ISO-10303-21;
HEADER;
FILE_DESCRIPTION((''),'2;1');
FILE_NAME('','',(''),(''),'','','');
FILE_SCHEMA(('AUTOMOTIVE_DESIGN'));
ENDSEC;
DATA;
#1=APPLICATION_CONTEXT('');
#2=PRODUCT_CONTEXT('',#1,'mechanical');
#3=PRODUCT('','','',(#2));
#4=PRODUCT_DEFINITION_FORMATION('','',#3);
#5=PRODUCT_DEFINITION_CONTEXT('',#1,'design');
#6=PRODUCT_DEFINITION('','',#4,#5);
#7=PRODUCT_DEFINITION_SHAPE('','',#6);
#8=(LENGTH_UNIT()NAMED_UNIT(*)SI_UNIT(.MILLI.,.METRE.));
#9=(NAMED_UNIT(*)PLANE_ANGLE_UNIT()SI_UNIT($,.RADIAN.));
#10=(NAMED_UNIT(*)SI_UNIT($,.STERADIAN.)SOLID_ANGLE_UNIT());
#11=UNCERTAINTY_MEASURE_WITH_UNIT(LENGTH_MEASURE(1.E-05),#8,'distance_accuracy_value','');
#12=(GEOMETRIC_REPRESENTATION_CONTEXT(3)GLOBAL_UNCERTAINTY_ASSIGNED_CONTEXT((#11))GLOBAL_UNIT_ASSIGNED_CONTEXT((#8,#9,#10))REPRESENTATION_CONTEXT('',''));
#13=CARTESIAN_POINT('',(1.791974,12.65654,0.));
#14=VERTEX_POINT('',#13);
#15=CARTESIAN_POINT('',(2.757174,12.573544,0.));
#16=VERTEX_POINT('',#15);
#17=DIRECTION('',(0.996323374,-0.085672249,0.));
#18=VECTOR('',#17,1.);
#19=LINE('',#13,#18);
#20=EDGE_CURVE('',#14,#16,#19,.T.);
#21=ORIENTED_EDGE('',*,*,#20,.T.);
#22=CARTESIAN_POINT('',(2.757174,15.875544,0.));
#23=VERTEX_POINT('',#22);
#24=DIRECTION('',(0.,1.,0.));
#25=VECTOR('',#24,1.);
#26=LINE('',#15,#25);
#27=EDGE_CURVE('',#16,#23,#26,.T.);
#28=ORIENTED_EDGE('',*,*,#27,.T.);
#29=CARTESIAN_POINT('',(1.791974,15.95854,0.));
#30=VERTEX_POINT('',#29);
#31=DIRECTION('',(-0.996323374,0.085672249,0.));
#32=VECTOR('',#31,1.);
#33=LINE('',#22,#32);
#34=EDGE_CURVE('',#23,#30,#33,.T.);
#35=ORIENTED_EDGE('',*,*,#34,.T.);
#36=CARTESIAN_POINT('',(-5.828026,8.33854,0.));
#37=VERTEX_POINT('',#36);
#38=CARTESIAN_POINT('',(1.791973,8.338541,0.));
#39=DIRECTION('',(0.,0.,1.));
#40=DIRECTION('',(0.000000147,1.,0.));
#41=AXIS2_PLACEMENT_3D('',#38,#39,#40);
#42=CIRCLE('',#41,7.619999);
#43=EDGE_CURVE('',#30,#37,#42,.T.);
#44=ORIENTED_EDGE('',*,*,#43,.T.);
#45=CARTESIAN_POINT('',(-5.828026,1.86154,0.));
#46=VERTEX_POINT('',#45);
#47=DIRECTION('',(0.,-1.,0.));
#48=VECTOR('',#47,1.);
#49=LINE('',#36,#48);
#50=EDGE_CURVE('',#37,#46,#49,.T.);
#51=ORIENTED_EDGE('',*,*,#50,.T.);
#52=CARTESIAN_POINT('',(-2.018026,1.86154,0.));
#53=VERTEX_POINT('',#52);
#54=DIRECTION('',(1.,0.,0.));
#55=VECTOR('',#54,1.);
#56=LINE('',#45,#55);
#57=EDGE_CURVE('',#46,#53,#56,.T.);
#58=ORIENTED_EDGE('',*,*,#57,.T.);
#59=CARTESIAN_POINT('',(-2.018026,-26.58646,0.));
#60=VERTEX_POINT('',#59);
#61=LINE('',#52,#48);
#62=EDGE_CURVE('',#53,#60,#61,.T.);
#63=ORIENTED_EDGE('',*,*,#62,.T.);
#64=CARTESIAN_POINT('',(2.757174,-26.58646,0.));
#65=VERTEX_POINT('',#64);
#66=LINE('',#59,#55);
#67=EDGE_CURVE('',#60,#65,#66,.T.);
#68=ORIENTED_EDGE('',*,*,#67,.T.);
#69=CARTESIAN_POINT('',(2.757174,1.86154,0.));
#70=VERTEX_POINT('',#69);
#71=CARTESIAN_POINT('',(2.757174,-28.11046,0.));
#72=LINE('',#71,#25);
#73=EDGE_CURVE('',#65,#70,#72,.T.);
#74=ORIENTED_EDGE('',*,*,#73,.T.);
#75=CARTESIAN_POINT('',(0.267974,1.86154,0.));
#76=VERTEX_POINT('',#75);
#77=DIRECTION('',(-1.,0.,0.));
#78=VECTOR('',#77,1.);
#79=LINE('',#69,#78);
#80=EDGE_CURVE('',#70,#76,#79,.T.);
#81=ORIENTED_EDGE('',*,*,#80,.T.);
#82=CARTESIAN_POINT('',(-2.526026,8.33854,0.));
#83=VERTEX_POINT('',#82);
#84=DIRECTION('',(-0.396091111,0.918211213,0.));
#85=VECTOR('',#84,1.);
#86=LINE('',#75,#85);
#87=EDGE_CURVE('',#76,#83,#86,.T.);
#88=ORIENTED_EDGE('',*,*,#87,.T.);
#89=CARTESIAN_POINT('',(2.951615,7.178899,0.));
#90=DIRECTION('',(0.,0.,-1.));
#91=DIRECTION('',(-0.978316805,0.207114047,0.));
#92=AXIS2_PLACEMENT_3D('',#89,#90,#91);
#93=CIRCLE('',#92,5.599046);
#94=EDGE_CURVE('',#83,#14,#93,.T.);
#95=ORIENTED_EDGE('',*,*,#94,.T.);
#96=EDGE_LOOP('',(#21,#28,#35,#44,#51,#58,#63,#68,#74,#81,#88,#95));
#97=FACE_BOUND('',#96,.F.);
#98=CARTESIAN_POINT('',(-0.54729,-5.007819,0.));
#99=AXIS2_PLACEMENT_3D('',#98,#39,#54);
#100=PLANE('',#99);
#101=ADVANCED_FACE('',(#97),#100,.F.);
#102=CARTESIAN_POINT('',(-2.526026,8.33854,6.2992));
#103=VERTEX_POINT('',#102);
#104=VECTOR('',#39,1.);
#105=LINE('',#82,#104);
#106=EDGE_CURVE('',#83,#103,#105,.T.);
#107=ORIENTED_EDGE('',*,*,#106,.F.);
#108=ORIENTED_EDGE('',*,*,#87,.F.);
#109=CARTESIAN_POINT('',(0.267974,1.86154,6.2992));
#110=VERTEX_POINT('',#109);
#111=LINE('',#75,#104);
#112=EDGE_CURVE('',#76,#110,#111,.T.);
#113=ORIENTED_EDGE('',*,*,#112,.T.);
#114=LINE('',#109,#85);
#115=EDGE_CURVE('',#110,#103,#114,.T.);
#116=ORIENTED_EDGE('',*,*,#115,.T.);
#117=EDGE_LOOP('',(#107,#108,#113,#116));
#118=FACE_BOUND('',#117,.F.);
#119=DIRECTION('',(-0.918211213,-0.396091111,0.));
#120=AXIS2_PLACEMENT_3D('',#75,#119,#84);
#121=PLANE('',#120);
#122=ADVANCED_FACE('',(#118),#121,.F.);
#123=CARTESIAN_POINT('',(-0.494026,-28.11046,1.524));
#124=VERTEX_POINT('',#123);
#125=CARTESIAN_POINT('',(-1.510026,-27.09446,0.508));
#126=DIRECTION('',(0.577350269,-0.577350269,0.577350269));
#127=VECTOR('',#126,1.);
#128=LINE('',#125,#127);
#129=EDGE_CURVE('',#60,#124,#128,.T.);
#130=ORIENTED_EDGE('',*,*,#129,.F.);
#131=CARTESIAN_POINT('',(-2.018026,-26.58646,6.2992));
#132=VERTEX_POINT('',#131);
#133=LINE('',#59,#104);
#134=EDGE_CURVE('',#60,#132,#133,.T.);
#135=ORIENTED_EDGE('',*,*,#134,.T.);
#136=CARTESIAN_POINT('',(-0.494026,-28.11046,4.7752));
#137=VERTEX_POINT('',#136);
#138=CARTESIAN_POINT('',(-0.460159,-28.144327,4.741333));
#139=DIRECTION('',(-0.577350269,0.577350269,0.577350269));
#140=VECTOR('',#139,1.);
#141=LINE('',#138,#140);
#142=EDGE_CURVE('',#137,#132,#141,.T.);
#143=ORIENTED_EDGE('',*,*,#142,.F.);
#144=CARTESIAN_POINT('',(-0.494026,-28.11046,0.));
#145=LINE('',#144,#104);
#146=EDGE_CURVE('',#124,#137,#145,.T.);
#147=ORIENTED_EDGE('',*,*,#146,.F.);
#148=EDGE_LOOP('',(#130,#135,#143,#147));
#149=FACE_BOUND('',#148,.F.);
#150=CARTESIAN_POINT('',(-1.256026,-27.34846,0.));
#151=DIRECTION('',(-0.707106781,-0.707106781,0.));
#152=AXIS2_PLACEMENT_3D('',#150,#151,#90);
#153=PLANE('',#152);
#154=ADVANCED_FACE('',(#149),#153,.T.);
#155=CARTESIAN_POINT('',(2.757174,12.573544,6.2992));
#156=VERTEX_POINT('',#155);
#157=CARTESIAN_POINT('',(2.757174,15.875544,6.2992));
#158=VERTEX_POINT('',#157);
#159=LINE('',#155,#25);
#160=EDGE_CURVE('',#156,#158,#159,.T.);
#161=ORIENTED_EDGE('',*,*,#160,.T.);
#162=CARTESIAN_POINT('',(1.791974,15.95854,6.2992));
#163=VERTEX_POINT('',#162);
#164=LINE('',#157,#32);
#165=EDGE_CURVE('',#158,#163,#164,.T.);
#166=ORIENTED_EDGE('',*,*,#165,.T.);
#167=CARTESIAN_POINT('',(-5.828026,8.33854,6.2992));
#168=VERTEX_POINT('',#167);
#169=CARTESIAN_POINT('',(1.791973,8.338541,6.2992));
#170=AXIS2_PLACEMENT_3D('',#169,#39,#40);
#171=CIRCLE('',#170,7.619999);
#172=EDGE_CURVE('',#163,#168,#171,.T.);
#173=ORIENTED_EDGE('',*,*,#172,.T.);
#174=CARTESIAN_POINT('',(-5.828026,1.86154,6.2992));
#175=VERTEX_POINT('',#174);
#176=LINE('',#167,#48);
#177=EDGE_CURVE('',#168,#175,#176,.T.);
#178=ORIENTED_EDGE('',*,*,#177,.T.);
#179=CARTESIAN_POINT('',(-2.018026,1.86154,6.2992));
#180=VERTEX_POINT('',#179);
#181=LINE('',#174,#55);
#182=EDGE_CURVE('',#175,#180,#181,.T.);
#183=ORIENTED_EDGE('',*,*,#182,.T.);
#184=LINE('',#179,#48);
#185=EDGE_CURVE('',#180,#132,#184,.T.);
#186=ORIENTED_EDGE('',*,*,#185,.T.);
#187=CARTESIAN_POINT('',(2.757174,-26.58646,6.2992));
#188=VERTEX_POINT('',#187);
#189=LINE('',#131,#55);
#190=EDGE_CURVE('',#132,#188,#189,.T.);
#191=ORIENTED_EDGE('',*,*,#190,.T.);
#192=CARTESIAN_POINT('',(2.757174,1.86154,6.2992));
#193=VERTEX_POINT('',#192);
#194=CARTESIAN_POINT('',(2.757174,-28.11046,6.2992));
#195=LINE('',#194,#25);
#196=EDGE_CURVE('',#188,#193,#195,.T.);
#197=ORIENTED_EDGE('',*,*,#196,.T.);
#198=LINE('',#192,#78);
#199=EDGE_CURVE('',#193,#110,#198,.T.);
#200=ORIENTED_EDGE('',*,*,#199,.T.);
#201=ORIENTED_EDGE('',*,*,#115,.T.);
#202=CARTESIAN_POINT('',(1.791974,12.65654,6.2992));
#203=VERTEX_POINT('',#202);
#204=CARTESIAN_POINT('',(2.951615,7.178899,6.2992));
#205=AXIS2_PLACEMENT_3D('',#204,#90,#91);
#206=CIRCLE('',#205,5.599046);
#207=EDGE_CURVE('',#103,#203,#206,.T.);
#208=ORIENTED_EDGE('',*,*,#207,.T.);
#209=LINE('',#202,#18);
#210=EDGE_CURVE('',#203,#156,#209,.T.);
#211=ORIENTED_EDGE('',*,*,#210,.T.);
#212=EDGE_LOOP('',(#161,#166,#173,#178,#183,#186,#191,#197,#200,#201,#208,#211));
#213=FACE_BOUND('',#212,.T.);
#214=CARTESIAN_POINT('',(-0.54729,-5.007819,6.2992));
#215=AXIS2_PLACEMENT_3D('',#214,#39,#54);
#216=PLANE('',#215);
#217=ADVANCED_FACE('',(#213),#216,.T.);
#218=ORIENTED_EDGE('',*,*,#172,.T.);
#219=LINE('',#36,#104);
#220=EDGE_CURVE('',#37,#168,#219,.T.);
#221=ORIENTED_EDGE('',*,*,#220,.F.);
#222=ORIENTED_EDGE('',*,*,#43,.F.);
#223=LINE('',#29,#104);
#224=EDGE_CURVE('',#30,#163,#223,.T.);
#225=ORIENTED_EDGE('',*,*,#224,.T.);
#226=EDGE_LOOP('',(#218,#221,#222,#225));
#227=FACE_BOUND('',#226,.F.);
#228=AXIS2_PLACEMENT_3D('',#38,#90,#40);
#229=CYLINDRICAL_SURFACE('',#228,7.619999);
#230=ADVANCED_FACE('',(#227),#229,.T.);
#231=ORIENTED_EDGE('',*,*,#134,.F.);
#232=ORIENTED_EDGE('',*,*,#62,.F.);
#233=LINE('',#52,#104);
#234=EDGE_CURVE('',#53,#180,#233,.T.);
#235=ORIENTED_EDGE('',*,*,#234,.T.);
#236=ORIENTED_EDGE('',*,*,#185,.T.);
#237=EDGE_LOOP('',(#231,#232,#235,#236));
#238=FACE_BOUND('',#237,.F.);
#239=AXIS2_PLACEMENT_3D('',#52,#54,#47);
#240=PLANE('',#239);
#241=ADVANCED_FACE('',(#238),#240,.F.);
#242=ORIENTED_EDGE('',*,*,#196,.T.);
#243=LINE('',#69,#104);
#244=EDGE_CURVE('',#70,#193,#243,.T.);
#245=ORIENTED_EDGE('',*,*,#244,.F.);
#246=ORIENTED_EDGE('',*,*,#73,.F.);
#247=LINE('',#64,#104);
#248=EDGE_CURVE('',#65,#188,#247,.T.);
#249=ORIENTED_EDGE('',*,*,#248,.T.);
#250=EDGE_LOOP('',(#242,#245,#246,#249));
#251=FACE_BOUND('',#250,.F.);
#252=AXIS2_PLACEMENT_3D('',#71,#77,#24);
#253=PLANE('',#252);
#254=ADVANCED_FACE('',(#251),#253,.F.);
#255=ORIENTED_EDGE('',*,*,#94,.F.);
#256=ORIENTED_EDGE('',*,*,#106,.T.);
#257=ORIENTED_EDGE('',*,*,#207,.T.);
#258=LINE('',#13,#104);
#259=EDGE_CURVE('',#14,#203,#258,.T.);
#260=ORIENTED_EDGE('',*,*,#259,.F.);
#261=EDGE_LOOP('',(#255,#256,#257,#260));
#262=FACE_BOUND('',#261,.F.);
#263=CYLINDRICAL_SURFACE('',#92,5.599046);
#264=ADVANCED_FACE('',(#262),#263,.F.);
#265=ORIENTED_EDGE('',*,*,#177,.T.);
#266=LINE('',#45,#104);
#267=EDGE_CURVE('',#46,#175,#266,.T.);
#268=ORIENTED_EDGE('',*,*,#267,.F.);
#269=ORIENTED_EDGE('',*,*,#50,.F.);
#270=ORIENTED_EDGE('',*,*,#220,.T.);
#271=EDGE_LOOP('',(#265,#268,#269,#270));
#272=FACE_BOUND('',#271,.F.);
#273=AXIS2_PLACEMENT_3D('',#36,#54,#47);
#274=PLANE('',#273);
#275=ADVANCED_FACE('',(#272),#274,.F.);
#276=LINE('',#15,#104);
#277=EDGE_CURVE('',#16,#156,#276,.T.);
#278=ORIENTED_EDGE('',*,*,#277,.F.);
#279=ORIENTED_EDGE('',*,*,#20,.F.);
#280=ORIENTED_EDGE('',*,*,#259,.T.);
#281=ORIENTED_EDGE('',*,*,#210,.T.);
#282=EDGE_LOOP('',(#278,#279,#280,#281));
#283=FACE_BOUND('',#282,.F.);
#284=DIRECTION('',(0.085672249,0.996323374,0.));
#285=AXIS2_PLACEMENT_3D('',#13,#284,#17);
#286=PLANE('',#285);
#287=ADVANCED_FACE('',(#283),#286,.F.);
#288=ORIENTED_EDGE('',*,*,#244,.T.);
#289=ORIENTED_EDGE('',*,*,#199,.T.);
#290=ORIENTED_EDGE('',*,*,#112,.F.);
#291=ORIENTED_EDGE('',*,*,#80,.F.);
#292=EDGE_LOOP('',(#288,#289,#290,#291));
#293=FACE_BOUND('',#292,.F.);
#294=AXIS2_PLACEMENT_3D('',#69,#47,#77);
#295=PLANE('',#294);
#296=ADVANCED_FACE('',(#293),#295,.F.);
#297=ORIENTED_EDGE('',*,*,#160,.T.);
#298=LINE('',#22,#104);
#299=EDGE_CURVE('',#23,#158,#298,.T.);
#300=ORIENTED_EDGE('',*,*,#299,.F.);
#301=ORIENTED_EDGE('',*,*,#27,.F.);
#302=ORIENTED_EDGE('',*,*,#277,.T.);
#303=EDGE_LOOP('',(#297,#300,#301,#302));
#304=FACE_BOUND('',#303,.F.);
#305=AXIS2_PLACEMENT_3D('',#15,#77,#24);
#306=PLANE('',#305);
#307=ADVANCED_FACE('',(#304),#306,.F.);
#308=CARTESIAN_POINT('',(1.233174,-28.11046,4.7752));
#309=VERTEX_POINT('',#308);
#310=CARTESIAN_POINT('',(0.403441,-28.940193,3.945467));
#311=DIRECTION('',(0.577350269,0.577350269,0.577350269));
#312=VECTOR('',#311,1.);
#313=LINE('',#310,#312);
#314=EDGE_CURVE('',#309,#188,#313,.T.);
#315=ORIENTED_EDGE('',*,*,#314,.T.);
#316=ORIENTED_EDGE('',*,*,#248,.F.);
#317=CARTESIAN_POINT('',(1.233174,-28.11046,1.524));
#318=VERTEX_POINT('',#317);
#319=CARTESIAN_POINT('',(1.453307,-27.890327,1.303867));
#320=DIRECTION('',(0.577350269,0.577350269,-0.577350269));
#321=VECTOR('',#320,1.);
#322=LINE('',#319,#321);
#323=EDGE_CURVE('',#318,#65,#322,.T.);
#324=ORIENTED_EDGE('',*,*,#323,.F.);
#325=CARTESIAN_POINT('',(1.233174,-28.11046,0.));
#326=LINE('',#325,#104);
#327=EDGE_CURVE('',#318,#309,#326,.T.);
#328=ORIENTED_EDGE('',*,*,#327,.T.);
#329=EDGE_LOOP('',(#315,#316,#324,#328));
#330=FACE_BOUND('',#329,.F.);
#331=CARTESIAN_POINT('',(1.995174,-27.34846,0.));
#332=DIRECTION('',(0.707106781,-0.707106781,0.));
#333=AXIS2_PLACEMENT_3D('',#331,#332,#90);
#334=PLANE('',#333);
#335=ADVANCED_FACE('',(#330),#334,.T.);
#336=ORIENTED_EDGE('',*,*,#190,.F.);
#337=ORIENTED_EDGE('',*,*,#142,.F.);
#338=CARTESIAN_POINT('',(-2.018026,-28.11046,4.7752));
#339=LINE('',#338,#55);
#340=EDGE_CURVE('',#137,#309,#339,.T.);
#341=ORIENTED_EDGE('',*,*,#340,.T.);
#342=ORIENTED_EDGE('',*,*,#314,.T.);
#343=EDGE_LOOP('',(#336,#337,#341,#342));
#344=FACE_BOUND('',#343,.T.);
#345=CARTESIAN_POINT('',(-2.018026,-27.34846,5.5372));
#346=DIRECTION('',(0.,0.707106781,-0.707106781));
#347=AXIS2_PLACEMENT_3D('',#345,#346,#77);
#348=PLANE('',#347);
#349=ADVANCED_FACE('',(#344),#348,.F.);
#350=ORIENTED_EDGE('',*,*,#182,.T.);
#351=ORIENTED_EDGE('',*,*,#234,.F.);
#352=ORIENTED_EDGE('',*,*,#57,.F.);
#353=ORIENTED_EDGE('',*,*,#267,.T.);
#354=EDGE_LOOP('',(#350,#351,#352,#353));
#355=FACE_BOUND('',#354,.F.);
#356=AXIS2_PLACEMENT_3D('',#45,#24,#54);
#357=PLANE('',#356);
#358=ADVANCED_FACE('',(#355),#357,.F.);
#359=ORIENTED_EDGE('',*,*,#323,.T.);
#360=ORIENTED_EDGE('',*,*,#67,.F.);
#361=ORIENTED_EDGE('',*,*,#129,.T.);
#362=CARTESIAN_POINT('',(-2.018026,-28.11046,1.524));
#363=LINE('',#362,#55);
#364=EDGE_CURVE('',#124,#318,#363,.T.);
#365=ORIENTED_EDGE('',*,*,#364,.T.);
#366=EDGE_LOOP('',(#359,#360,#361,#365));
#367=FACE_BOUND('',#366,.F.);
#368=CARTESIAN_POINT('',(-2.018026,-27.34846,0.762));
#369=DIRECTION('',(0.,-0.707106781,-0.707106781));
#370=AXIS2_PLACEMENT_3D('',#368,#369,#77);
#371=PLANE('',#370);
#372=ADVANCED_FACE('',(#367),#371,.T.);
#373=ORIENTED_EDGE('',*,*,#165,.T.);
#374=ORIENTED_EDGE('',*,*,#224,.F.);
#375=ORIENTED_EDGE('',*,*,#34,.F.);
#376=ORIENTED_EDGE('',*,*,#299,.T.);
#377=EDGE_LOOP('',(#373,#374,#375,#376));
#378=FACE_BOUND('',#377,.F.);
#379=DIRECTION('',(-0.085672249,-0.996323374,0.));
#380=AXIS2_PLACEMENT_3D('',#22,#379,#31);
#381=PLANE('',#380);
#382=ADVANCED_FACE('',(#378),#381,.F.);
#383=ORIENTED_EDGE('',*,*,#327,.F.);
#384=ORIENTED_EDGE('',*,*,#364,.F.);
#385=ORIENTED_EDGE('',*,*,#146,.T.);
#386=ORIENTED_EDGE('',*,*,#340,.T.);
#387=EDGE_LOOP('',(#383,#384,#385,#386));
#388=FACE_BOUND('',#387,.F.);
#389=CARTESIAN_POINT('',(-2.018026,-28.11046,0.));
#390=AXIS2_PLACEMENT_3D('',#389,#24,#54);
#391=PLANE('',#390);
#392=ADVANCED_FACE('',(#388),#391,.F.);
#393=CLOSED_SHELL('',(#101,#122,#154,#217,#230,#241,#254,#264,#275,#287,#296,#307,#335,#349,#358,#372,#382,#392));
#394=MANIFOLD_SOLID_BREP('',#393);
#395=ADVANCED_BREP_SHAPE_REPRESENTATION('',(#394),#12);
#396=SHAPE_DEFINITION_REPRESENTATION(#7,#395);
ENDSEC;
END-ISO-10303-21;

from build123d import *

# Parameters (mm, degrees)
F1_DEPTH = 6.2992
F2_SIZE  = 1.524


with BuildPart() as f1:
    # F0 (on Top) → F1 (new body)
    with BuildSketch(Plane.XY):
        with BuildLine():
            Line((-2.018026, 1.86154), (-2.018026, -28.11046))
            Line((-2.018026, -28.11046), (1.791974, -28.11046))
            Line((1.791974, -28.11046), (2.757174, -28.11046))
            Line((2.757174, -28.11046), (2.757174, 1.86154))
            Line((2.757174, 1.86154), (1.791974, 1.86154))
            Line((1.791974, 1.86154), (0.267974, 1.86154))
            Line((0.267974, 1.86154), (-2.526026, 8.33854))
            ThreePointArc((-2.526026, 8.33854), (-1.007509, 11.138022), (1.791974, 12.65654))
            Line((1.791974, 12.65654), (2.757174, 12.573544))
            Line((2.757174, 12.573544), (2.757174, 15.875544))
            Line((2.757174, 15.875544), (1.791974, 15.95854))
            ThreePointArc((1.791974, 15.95854), (-3.59618, 13.726694), (-5.828026, 8.33854))
            Line((-5.828026, 8.33854), (-5.828026, 1.86154))
            Line((-5.828026, 1.86154), (-2.018026, 1.86154))
        make_face()
    extrude(amount=F1_DEPTH)

    # F2
    f2_edges = [f1.edges().sort_by_distance(p)[0] for p in [
        (0.369574, -28.11046, 6.2992),
        (-2.018026, -28.11046, 3.1496),
        (2.757174, -28.11046, 3.1496),
        (0.369574, -28.11046, 0),
    ]]
    chamfer(f2_edges, length=F2_SIZE)


solid = f1.part
